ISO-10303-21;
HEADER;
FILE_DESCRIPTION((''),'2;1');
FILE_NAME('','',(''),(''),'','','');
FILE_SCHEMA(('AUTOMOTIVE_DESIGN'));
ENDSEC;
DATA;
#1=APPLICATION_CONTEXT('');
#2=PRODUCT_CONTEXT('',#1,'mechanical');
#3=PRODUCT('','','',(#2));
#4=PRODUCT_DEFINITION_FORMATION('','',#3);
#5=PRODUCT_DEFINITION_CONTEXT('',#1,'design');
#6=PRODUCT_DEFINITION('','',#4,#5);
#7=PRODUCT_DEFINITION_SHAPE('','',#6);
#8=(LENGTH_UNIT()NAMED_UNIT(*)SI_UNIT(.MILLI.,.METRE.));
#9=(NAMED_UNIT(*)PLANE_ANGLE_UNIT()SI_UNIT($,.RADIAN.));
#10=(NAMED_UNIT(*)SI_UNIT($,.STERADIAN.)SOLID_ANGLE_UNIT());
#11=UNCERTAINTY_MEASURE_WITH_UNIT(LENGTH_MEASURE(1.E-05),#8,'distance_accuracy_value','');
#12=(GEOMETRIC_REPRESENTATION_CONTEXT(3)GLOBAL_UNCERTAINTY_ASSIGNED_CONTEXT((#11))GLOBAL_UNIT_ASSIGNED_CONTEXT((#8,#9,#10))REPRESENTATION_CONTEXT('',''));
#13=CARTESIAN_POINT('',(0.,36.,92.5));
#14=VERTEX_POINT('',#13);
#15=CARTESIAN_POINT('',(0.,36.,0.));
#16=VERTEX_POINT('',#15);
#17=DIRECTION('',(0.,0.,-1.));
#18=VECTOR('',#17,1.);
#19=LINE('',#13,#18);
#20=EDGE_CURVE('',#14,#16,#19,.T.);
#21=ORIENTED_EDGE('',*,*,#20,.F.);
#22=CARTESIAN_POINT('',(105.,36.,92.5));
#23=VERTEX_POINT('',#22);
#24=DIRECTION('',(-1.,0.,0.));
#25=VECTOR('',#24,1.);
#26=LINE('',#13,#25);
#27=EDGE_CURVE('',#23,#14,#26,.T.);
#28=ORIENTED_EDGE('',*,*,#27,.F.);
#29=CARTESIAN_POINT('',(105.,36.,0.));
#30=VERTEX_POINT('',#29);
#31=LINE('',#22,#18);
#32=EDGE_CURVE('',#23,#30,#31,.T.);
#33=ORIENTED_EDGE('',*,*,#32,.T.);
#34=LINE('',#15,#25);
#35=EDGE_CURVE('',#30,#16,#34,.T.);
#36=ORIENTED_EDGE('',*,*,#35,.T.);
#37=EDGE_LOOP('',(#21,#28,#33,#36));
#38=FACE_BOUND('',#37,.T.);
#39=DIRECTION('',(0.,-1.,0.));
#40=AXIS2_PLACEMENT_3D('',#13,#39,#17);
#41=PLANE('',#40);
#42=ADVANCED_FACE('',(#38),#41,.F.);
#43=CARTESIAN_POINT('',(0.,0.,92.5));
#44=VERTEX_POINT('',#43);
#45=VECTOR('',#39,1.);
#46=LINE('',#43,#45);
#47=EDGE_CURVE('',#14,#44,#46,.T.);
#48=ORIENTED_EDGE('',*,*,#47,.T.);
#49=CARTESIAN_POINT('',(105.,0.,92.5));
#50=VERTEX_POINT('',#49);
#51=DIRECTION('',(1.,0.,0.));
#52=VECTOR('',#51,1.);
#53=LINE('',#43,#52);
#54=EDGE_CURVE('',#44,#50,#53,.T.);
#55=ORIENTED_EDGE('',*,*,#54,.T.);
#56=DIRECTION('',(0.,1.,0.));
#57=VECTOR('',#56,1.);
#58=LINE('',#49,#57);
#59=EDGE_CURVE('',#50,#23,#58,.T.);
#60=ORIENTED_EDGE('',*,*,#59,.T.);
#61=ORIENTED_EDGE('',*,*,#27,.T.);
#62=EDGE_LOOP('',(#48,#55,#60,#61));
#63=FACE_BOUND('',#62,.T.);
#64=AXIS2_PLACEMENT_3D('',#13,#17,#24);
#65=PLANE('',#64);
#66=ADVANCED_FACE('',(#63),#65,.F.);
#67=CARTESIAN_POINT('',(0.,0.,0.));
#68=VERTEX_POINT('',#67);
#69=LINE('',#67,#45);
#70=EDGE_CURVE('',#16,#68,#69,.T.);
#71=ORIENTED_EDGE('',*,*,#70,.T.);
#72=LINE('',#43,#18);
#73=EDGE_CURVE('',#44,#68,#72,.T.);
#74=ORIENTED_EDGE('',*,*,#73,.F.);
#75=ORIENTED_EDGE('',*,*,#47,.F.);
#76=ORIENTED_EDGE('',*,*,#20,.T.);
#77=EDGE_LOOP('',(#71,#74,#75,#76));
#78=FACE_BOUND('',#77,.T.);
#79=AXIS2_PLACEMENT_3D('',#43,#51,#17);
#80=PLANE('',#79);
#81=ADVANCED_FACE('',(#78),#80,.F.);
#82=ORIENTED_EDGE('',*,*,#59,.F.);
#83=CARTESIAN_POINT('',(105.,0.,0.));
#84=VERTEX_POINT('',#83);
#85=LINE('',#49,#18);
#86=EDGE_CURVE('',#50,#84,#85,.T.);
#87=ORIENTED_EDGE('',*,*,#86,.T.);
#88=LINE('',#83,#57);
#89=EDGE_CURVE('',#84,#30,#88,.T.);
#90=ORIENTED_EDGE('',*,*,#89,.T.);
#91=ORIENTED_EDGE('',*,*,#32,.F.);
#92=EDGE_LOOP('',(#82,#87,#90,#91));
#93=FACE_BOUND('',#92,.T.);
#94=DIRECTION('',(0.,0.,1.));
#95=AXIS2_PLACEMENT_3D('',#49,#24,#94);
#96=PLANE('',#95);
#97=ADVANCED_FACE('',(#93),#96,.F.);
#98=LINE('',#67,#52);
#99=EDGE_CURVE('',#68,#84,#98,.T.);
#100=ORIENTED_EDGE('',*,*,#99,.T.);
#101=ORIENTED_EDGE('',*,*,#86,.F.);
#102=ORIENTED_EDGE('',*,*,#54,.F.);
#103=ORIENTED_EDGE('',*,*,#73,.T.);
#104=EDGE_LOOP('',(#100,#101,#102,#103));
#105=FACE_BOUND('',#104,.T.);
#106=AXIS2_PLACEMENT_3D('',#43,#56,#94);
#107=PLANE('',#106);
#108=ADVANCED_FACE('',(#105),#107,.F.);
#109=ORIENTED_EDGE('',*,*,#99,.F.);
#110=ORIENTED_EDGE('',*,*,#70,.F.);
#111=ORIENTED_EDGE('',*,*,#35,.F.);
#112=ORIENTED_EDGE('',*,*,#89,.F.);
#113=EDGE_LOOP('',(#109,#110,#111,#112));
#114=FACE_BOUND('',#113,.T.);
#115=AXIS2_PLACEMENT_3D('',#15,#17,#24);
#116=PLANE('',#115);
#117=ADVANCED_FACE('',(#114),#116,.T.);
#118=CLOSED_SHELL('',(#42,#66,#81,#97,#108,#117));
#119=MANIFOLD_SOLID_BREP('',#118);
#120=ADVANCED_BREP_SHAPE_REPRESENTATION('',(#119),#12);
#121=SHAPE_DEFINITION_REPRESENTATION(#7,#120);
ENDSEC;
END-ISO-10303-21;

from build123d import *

# Parameters (mm, degrees)
SKETCH1_W           = 105
SKETCH1_H           = 36
BOSS_EXTRUDE1_DEPTH = 92.5


with BuildPart() as part:
    # Sketch1 → Boss-Extrude1 (new body)
    with BuildSketch(Plane.XY):
        with Locations((52.5, 18)):
            Rectangle(SKETCH1_W, SKETCH1_H)
    extrude(amount=BOSS_EXTRUDE1_DEPTH)


solid = part.part
